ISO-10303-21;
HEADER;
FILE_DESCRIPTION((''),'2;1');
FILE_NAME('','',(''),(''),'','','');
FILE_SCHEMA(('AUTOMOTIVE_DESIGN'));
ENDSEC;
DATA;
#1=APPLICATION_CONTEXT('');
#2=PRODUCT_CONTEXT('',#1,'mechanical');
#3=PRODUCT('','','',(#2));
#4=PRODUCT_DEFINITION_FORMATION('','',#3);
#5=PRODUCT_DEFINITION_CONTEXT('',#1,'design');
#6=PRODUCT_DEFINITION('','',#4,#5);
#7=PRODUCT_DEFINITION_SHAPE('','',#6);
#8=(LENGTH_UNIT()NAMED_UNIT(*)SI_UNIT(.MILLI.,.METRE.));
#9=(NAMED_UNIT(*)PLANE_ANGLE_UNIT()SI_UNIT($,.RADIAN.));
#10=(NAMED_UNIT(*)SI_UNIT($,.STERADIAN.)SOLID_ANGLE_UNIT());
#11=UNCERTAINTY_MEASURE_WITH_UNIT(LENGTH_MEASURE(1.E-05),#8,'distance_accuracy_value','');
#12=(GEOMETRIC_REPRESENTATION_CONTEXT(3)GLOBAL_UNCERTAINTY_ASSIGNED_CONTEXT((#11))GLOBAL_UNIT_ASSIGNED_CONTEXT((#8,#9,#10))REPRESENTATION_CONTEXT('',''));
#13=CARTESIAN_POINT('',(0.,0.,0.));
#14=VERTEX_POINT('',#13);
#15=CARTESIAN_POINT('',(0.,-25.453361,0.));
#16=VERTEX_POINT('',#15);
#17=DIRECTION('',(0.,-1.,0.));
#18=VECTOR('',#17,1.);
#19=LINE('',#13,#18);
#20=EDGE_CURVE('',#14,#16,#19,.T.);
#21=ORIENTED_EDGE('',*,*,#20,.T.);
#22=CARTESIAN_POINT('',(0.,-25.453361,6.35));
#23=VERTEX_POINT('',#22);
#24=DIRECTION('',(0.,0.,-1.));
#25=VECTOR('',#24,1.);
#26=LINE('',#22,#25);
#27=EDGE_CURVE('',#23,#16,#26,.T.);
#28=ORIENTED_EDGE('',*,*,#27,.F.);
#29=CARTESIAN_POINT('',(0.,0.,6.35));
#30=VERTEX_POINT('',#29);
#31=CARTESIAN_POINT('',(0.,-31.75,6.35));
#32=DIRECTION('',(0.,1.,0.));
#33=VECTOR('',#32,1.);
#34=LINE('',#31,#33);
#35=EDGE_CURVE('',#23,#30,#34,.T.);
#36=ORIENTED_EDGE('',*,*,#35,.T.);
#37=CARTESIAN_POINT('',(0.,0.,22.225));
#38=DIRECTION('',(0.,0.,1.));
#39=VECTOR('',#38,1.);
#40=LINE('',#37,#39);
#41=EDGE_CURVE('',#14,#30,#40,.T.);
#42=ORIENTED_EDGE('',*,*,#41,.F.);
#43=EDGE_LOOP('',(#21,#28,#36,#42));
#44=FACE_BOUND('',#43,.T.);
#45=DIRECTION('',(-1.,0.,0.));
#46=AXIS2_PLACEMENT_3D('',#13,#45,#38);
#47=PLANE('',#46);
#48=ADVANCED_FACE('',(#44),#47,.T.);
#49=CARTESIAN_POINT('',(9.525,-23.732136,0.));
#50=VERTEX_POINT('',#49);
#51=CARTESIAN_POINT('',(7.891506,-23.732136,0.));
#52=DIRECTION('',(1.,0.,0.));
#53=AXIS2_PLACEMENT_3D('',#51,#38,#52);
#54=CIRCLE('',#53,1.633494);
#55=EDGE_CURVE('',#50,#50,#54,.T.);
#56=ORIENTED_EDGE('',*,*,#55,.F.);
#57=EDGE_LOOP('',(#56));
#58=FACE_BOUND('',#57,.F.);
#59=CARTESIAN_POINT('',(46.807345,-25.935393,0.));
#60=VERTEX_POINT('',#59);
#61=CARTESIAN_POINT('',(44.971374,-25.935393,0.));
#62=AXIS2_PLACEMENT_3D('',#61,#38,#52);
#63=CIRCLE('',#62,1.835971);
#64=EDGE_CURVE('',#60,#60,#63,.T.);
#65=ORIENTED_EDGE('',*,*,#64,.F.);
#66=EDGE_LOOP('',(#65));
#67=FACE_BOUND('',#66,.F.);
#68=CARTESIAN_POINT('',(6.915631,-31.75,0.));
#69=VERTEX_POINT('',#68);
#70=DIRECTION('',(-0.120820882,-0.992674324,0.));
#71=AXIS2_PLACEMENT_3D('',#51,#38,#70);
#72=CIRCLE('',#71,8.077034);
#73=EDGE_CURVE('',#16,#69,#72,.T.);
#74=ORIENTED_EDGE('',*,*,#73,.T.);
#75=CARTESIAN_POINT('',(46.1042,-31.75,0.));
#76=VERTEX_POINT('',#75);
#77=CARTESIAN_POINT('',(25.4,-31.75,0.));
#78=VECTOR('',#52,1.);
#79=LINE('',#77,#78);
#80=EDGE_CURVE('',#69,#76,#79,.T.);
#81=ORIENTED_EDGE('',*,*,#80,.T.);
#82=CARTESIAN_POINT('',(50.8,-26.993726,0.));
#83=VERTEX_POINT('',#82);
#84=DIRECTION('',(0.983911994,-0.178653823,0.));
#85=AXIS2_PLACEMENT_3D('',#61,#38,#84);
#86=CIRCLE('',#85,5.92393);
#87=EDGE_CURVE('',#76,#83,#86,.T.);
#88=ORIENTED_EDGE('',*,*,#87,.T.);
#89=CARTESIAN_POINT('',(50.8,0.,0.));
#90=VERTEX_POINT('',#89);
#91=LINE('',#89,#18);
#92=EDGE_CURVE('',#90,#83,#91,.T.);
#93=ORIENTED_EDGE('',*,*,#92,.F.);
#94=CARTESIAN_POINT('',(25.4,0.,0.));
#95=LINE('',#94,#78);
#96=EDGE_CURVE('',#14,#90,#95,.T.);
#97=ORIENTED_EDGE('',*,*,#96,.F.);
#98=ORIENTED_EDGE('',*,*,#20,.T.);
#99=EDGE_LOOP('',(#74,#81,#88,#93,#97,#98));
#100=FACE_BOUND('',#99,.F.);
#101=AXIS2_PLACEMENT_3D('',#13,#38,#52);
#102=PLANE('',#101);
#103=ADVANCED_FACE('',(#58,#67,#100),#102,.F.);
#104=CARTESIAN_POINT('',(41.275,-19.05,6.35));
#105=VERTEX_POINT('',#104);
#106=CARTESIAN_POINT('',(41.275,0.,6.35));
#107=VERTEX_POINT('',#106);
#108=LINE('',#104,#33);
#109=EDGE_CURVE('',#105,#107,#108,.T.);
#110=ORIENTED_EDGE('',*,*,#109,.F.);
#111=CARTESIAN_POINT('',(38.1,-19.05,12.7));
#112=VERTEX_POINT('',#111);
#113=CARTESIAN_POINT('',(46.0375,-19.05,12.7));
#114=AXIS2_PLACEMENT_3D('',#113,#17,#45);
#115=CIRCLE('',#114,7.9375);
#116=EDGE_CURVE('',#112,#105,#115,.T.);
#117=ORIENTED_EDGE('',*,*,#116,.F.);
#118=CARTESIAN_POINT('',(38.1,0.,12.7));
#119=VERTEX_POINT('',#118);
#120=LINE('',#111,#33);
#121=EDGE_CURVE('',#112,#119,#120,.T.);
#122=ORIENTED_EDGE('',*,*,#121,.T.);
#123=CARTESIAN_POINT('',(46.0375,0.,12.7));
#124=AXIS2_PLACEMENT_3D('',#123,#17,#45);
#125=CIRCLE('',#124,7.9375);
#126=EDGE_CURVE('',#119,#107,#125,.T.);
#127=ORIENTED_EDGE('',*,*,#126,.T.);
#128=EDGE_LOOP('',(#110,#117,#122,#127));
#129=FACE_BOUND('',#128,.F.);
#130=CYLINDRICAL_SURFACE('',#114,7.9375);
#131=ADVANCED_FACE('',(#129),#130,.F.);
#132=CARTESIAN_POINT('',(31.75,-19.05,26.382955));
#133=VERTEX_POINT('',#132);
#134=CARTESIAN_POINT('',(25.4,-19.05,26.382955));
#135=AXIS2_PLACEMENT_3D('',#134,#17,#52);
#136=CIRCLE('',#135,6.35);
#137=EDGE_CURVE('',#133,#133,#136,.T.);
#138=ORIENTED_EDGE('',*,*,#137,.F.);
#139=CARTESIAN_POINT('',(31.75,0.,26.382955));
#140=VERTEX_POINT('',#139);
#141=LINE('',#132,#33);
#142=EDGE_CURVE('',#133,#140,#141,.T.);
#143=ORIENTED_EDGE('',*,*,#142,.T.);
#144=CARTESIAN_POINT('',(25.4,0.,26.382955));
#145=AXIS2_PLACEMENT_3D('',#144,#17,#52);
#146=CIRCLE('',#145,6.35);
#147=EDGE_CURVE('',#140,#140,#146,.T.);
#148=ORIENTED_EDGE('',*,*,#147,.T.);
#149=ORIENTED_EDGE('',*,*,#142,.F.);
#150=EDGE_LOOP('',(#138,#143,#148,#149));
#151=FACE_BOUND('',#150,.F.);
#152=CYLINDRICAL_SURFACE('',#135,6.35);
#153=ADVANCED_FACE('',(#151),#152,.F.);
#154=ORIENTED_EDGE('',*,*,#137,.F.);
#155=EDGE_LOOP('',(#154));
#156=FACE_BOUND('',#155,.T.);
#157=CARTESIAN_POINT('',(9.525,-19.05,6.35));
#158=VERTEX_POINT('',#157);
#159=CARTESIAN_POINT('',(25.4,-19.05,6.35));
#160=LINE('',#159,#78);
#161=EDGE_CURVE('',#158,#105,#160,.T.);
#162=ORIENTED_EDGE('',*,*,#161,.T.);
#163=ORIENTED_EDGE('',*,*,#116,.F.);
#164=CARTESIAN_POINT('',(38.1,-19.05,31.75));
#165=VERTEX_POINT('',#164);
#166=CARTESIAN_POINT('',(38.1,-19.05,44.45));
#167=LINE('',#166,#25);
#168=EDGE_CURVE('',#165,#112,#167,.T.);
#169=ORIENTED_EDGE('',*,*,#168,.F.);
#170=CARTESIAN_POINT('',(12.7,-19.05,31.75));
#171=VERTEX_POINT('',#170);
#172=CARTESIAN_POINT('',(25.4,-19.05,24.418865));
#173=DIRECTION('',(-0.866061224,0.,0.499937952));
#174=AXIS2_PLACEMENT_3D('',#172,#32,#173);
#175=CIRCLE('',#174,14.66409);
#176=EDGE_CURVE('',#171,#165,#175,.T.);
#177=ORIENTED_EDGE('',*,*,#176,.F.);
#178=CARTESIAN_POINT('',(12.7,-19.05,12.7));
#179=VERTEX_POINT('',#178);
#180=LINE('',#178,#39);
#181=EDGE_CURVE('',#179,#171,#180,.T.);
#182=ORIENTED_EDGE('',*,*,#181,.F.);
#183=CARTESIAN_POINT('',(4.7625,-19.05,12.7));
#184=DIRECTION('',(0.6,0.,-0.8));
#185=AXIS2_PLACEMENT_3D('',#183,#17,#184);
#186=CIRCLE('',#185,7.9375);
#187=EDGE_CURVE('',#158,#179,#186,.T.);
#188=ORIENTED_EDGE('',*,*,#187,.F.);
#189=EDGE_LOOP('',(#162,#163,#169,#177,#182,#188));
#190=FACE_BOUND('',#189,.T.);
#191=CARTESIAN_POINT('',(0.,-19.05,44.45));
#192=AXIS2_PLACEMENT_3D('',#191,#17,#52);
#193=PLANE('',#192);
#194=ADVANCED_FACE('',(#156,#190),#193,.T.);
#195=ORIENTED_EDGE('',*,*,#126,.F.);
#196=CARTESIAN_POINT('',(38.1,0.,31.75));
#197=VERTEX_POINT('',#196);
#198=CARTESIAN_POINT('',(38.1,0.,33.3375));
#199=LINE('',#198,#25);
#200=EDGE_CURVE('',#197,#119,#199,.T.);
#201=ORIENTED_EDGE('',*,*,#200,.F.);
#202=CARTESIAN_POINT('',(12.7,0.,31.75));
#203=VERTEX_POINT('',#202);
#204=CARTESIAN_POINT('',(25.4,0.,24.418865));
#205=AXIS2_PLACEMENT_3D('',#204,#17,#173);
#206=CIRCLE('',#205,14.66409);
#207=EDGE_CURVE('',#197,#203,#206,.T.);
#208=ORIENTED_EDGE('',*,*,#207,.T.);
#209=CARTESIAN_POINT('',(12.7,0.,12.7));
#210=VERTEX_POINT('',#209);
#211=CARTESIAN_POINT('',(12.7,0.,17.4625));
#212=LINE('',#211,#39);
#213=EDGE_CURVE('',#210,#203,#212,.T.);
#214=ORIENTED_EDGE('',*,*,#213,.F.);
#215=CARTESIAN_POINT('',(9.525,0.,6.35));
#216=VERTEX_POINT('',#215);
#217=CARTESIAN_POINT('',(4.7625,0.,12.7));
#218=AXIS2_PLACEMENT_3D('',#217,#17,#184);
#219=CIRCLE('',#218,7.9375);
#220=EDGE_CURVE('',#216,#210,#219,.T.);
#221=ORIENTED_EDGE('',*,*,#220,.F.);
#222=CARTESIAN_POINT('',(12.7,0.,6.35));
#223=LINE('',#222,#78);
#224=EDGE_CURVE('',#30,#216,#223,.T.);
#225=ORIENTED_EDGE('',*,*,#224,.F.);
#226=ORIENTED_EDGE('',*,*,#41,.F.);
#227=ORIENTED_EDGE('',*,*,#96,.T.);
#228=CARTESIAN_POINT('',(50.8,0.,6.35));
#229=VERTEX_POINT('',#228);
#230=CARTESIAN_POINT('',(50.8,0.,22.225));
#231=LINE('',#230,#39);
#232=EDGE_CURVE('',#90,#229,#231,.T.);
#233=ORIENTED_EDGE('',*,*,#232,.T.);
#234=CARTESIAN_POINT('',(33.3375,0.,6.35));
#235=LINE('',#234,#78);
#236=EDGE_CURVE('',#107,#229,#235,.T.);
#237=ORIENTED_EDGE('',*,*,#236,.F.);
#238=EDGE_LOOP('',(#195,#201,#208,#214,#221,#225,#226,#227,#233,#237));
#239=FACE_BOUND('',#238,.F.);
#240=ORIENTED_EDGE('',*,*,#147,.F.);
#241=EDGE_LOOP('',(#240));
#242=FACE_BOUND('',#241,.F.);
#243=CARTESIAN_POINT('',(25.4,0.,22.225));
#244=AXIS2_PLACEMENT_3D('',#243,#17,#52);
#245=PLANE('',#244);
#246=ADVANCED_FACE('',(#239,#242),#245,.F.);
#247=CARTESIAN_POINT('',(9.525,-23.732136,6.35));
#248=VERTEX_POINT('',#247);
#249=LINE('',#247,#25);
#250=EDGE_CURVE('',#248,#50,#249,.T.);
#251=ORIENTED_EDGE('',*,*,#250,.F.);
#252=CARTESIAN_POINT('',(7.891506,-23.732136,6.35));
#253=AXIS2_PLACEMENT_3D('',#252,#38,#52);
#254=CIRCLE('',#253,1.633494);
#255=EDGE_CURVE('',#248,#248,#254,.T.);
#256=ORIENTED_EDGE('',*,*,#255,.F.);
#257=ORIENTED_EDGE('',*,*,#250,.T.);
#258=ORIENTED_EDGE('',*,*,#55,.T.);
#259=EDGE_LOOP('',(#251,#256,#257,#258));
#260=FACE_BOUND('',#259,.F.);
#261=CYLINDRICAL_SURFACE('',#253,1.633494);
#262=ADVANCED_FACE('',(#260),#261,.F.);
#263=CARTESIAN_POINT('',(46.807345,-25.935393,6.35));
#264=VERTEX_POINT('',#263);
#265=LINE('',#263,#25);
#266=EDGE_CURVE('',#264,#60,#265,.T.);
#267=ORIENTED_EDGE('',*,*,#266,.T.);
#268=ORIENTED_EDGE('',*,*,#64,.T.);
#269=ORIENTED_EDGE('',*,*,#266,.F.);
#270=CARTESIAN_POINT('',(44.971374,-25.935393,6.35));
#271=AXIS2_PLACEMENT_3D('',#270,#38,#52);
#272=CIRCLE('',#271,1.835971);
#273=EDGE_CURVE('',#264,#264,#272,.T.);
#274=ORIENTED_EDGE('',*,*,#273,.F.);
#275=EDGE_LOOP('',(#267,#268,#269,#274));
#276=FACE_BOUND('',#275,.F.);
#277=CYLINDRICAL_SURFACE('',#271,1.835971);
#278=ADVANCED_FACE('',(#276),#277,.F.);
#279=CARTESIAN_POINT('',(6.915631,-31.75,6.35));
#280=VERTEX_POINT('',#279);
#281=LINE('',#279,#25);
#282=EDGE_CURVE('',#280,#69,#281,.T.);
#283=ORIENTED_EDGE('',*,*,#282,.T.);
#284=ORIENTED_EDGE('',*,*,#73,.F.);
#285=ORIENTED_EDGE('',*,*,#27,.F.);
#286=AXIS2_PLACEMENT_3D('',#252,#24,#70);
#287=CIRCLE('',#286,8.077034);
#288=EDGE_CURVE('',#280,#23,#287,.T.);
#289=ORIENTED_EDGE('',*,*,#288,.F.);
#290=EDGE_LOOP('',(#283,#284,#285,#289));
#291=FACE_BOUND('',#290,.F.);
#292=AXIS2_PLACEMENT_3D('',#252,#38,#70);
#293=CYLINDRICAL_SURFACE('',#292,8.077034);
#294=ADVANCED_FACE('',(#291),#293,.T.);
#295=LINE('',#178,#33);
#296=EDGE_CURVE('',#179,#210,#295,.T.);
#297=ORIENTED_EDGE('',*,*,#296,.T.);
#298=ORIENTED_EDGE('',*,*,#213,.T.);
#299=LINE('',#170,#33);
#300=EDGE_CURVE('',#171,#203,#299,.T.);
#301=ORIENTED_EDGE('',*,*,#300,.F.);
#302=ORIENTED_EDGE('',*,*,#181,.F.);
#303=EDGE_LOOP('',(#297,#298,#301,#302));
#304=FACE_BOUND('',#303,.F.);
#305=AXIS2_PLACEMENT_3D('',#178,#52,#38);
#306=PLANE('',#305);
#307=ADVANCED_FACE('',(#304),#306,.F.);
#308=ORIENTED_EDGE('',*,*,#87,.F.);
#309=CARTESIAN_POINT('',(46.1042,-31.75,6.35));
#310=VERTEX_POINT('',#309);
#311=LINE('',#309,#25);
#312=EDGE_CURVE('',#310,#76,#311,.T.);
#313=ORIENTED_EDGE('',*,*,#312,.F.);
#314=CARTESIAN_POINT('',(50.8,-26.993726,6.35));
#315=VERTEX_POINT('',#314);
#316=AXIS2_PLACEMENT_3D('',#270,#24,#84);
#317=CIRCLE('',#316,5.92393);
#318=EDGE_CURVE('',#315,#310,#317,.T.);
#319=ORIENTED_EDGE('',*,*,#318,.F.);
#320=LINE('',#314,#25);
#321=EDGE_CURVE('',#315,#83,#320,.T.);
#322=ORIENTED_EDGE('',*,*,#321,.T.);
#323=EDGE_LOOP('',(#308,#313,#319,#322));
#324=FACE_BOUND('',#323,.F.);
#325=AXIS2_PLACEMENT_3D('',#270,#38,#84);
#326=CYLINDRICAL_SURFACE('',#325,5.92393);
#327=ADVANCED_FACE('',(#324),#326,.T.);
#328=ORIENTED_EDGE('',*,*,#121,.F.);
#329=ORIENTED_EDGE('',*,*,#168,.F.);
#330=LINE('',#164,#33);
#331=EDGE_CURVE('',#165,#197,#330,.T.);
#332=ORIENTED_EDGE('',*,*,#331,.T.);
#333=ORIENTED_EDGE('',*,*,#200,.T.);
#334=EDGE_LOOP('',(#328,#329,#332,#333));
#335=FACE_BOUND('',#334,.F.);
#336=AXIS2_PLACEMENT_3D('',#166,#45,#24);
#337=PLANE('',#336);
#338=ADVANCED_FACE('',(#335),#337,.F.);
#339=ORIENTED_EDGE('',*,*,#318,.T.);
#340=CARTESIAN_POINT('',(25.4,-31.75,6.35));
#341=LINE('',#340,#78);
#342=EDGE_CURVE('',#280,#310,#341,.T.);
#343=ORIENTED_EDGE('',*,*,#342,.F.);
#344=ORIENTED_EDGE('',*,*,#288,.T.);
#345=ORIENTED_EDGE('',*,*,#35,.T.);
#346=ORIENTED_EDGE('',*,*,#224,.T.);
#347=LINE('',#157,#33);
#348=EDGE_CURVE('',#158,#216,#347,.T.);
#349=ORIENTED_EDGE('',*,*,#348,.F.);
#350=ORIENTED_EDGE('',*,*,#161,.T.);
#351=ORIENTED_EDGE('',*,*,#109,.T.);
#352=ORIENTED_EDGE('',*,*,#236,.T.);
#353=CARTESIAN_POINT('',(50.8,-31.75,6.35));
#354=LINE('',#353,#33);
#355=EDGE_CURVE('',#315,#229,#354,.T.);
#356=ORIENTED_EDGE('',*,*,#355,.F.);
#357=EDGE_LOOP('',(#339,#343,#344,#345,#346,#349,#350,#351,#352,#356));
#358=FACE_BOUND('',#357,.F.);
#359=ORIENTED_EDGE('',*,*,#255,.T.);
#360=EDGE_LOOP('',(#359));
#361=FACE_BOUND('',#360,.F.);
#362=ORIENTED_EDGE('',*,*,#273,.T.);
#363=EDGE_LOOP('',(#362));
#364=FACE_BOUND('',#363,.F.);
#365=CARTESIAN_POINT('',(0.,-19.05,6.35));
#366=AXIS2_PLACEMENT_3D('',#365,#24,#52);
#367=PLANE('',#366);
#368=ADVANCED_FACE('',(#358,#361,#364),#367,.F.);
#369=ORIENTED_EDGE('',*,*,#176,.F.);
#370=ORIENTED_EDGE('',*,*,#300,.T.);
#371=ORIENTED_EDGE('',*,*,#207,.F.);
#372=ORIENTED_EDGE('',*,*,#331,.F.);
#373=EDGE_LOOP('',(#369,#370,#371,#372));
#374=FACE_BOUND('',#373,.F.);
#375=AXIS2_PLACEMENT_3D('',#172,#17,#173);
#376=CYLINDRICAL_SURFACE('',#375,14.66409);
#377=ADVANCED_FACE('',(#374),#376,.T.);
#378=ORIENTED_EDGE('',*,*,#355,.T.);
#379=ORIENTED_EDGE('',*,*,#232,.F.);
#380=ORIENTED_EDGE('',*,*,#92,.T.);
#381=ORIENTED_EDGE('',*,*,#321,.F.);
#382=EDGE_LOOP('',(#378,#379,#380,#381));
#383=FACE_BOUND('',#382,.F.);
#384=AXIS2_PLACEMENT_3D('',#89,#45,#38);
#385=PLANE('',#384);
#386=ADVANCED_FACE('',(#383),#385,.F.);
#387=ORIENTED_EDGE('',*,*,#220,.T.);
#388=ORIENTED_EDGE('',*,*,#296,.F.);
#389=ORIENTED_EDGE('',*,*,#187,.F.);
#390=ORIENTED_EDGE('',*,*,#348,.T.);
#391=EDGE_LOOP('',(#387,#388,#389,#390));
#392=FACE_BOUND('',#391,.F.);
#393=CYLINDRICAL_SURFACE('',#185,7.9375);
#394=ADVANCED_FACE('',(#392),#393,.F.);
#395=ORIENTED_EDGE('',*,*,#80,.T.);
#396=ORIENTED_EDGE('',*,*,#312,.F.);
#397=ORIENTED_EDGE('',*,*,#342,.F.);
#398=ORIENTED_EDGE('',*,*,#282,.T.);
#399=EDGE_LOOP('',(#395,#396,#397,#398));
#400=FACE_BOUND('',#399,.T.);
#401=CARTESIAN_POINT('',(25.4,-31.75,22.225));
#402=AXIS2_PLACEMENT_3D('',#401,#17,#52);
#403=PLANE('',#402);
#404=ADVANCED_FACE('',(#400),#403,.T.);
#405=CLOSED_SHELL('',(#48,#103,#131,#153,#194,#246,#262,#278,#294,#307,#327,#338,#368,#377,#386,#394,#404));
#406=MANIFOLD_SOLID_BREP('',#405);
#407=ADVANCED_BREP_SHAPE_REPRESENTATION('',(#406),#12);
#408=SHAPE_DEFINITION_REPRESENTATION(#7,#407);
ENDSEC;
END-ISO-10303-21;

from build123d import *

# Parameters (mm, degrees)
F0_W      = 50.8
F0_H      = 44.45
F1_DEPTH  = 31.75
F2_W      = 50.8
F2_H      = 12.7
F3_DEPTH  = 38.1
F5_DEPTH  = 25.4
F7_DEPTH  = 25.4
F8_R      = 6.35
F9_DEPTH  = 25.4
F11_DEPTH = 25.4
F12_R     = 1.8359706644
F12_R_2   = 1.6334944076
F13_DEPTH = 25.4


with BuildPart() as f1:
    # F0 (on Front) → F1 (new body)
    with BuildSketch(Plane.XZ):
        with Locations((25.4, 22.225)):
            Rectangle(F0_W, F0_H)
    extrude(amount=F1_DEPTH)

    # F2 (on face) → F3 (cut)
    with BuildSketch(Plane.XY.offset(44.45)):
        with Locations((25.4, -25.4)):
            Rectangle(F2_W, F2_H)
    extrude(amount=-F3_DEPTH, mode=Mode.SUBTRACT)

    # F4 (on face) → F5 (cut)
    with BuildSketch(Plane.XZ.offset(19.05)):
        with BuildLine():
            Line((12.7, 12.7), (12.7, 44.45))
            Line((12.7, 44.45), (0, 44.45))
            Line((0, 44.45), (0, 6.35))
            Line((0, 6.35), (9.525, 6.35))
            ThreePointArc((9.525, 6.35), (11.8620158286, 9.1502420857), (12.7, 12.7))
        make_face()
        with BuildLine():
            Line((50.8, 44.45), (38.1, 44.45))
            Line((38.1, 44.45), (38.1, 12.7))
            ThreePointArc((38.1, 12.7), (38.9379841714, 9.1502420857), (41.275, 6.35))
            Line((41.275, 6.35), (50.8, 6.35))
            Line((50.8, 6.35), (50.8, 44.45))
        make_face()
    extrude(amount=-F5_DEPTH, mode=Mode.SUBTRACT)

    # F6 (on face) → F7 (cut)
    with BuildSketch(Plane.XZ.offset(19.05)):
        with BuildLine():
            ThreePointArc((12.7, 31.75), (25.4, 39.0829550295), (38.1, 31.75))
            Line((38.1, 31.75), (38.1, 44.45))
            Line((38.1, 44.45), (12.7, 44.45))
            Line((12.7, 44.45), (12.7, 31.75))
        make_face()
    extrude(amount=-F7_DEPTH, mode=Mode.SUBTRACT)

    # F8 (on face) → F9 (cut)
    with BuildSketch(Plane.XZ.offset(19.05)):
        with Locations((25.4, 26.3829550295)):
            Circle(F8_R)
    extrude(amount=-F9_DEPTH, mode=Mode.SUBTRACT)

    # F10 (on face) → F11 (cut)
    with BuildSketch(Plane.XY.offset(6.35)):
        with BuildLine():
            ThreePointArc((6.9156312384, -31.75), (2.4537189806, -29.7044848728), (0, -25.4533607513))
            Line((0, -25.4533607513), (0, -31.75))
            Line((0, -31.75), (6.9156312384, -31.75))
        make_face()
        with BuildLine():
            ThreePointArc((50.8, -26.9937257878), (49.186939224, -30.097358798), (46.1042001843, -31.75))
            Line((46.1042001843, -31.75), (50.8, -31.75))
            Line((50.8, -31.75), (50.8, -26.9937257878))
        make_face()
    extrude(amount=-F11_DEPTH, mode=Mode.SUBTRACT)

    # F12 (on face) → F13 (cut)
    with BuildSketch(Plane.XY.offset(6.35)):
        with Locations((44.9713739546, -25.9353929963)):
            Circle(F12_R)
        with Locations((7.8915055924, -23.7321358982)):
            Circle(F12_R_2)
    extrude(amount=-F13_DEPTH, mode=Mode.SUBTRACT)


solid = f1.part
